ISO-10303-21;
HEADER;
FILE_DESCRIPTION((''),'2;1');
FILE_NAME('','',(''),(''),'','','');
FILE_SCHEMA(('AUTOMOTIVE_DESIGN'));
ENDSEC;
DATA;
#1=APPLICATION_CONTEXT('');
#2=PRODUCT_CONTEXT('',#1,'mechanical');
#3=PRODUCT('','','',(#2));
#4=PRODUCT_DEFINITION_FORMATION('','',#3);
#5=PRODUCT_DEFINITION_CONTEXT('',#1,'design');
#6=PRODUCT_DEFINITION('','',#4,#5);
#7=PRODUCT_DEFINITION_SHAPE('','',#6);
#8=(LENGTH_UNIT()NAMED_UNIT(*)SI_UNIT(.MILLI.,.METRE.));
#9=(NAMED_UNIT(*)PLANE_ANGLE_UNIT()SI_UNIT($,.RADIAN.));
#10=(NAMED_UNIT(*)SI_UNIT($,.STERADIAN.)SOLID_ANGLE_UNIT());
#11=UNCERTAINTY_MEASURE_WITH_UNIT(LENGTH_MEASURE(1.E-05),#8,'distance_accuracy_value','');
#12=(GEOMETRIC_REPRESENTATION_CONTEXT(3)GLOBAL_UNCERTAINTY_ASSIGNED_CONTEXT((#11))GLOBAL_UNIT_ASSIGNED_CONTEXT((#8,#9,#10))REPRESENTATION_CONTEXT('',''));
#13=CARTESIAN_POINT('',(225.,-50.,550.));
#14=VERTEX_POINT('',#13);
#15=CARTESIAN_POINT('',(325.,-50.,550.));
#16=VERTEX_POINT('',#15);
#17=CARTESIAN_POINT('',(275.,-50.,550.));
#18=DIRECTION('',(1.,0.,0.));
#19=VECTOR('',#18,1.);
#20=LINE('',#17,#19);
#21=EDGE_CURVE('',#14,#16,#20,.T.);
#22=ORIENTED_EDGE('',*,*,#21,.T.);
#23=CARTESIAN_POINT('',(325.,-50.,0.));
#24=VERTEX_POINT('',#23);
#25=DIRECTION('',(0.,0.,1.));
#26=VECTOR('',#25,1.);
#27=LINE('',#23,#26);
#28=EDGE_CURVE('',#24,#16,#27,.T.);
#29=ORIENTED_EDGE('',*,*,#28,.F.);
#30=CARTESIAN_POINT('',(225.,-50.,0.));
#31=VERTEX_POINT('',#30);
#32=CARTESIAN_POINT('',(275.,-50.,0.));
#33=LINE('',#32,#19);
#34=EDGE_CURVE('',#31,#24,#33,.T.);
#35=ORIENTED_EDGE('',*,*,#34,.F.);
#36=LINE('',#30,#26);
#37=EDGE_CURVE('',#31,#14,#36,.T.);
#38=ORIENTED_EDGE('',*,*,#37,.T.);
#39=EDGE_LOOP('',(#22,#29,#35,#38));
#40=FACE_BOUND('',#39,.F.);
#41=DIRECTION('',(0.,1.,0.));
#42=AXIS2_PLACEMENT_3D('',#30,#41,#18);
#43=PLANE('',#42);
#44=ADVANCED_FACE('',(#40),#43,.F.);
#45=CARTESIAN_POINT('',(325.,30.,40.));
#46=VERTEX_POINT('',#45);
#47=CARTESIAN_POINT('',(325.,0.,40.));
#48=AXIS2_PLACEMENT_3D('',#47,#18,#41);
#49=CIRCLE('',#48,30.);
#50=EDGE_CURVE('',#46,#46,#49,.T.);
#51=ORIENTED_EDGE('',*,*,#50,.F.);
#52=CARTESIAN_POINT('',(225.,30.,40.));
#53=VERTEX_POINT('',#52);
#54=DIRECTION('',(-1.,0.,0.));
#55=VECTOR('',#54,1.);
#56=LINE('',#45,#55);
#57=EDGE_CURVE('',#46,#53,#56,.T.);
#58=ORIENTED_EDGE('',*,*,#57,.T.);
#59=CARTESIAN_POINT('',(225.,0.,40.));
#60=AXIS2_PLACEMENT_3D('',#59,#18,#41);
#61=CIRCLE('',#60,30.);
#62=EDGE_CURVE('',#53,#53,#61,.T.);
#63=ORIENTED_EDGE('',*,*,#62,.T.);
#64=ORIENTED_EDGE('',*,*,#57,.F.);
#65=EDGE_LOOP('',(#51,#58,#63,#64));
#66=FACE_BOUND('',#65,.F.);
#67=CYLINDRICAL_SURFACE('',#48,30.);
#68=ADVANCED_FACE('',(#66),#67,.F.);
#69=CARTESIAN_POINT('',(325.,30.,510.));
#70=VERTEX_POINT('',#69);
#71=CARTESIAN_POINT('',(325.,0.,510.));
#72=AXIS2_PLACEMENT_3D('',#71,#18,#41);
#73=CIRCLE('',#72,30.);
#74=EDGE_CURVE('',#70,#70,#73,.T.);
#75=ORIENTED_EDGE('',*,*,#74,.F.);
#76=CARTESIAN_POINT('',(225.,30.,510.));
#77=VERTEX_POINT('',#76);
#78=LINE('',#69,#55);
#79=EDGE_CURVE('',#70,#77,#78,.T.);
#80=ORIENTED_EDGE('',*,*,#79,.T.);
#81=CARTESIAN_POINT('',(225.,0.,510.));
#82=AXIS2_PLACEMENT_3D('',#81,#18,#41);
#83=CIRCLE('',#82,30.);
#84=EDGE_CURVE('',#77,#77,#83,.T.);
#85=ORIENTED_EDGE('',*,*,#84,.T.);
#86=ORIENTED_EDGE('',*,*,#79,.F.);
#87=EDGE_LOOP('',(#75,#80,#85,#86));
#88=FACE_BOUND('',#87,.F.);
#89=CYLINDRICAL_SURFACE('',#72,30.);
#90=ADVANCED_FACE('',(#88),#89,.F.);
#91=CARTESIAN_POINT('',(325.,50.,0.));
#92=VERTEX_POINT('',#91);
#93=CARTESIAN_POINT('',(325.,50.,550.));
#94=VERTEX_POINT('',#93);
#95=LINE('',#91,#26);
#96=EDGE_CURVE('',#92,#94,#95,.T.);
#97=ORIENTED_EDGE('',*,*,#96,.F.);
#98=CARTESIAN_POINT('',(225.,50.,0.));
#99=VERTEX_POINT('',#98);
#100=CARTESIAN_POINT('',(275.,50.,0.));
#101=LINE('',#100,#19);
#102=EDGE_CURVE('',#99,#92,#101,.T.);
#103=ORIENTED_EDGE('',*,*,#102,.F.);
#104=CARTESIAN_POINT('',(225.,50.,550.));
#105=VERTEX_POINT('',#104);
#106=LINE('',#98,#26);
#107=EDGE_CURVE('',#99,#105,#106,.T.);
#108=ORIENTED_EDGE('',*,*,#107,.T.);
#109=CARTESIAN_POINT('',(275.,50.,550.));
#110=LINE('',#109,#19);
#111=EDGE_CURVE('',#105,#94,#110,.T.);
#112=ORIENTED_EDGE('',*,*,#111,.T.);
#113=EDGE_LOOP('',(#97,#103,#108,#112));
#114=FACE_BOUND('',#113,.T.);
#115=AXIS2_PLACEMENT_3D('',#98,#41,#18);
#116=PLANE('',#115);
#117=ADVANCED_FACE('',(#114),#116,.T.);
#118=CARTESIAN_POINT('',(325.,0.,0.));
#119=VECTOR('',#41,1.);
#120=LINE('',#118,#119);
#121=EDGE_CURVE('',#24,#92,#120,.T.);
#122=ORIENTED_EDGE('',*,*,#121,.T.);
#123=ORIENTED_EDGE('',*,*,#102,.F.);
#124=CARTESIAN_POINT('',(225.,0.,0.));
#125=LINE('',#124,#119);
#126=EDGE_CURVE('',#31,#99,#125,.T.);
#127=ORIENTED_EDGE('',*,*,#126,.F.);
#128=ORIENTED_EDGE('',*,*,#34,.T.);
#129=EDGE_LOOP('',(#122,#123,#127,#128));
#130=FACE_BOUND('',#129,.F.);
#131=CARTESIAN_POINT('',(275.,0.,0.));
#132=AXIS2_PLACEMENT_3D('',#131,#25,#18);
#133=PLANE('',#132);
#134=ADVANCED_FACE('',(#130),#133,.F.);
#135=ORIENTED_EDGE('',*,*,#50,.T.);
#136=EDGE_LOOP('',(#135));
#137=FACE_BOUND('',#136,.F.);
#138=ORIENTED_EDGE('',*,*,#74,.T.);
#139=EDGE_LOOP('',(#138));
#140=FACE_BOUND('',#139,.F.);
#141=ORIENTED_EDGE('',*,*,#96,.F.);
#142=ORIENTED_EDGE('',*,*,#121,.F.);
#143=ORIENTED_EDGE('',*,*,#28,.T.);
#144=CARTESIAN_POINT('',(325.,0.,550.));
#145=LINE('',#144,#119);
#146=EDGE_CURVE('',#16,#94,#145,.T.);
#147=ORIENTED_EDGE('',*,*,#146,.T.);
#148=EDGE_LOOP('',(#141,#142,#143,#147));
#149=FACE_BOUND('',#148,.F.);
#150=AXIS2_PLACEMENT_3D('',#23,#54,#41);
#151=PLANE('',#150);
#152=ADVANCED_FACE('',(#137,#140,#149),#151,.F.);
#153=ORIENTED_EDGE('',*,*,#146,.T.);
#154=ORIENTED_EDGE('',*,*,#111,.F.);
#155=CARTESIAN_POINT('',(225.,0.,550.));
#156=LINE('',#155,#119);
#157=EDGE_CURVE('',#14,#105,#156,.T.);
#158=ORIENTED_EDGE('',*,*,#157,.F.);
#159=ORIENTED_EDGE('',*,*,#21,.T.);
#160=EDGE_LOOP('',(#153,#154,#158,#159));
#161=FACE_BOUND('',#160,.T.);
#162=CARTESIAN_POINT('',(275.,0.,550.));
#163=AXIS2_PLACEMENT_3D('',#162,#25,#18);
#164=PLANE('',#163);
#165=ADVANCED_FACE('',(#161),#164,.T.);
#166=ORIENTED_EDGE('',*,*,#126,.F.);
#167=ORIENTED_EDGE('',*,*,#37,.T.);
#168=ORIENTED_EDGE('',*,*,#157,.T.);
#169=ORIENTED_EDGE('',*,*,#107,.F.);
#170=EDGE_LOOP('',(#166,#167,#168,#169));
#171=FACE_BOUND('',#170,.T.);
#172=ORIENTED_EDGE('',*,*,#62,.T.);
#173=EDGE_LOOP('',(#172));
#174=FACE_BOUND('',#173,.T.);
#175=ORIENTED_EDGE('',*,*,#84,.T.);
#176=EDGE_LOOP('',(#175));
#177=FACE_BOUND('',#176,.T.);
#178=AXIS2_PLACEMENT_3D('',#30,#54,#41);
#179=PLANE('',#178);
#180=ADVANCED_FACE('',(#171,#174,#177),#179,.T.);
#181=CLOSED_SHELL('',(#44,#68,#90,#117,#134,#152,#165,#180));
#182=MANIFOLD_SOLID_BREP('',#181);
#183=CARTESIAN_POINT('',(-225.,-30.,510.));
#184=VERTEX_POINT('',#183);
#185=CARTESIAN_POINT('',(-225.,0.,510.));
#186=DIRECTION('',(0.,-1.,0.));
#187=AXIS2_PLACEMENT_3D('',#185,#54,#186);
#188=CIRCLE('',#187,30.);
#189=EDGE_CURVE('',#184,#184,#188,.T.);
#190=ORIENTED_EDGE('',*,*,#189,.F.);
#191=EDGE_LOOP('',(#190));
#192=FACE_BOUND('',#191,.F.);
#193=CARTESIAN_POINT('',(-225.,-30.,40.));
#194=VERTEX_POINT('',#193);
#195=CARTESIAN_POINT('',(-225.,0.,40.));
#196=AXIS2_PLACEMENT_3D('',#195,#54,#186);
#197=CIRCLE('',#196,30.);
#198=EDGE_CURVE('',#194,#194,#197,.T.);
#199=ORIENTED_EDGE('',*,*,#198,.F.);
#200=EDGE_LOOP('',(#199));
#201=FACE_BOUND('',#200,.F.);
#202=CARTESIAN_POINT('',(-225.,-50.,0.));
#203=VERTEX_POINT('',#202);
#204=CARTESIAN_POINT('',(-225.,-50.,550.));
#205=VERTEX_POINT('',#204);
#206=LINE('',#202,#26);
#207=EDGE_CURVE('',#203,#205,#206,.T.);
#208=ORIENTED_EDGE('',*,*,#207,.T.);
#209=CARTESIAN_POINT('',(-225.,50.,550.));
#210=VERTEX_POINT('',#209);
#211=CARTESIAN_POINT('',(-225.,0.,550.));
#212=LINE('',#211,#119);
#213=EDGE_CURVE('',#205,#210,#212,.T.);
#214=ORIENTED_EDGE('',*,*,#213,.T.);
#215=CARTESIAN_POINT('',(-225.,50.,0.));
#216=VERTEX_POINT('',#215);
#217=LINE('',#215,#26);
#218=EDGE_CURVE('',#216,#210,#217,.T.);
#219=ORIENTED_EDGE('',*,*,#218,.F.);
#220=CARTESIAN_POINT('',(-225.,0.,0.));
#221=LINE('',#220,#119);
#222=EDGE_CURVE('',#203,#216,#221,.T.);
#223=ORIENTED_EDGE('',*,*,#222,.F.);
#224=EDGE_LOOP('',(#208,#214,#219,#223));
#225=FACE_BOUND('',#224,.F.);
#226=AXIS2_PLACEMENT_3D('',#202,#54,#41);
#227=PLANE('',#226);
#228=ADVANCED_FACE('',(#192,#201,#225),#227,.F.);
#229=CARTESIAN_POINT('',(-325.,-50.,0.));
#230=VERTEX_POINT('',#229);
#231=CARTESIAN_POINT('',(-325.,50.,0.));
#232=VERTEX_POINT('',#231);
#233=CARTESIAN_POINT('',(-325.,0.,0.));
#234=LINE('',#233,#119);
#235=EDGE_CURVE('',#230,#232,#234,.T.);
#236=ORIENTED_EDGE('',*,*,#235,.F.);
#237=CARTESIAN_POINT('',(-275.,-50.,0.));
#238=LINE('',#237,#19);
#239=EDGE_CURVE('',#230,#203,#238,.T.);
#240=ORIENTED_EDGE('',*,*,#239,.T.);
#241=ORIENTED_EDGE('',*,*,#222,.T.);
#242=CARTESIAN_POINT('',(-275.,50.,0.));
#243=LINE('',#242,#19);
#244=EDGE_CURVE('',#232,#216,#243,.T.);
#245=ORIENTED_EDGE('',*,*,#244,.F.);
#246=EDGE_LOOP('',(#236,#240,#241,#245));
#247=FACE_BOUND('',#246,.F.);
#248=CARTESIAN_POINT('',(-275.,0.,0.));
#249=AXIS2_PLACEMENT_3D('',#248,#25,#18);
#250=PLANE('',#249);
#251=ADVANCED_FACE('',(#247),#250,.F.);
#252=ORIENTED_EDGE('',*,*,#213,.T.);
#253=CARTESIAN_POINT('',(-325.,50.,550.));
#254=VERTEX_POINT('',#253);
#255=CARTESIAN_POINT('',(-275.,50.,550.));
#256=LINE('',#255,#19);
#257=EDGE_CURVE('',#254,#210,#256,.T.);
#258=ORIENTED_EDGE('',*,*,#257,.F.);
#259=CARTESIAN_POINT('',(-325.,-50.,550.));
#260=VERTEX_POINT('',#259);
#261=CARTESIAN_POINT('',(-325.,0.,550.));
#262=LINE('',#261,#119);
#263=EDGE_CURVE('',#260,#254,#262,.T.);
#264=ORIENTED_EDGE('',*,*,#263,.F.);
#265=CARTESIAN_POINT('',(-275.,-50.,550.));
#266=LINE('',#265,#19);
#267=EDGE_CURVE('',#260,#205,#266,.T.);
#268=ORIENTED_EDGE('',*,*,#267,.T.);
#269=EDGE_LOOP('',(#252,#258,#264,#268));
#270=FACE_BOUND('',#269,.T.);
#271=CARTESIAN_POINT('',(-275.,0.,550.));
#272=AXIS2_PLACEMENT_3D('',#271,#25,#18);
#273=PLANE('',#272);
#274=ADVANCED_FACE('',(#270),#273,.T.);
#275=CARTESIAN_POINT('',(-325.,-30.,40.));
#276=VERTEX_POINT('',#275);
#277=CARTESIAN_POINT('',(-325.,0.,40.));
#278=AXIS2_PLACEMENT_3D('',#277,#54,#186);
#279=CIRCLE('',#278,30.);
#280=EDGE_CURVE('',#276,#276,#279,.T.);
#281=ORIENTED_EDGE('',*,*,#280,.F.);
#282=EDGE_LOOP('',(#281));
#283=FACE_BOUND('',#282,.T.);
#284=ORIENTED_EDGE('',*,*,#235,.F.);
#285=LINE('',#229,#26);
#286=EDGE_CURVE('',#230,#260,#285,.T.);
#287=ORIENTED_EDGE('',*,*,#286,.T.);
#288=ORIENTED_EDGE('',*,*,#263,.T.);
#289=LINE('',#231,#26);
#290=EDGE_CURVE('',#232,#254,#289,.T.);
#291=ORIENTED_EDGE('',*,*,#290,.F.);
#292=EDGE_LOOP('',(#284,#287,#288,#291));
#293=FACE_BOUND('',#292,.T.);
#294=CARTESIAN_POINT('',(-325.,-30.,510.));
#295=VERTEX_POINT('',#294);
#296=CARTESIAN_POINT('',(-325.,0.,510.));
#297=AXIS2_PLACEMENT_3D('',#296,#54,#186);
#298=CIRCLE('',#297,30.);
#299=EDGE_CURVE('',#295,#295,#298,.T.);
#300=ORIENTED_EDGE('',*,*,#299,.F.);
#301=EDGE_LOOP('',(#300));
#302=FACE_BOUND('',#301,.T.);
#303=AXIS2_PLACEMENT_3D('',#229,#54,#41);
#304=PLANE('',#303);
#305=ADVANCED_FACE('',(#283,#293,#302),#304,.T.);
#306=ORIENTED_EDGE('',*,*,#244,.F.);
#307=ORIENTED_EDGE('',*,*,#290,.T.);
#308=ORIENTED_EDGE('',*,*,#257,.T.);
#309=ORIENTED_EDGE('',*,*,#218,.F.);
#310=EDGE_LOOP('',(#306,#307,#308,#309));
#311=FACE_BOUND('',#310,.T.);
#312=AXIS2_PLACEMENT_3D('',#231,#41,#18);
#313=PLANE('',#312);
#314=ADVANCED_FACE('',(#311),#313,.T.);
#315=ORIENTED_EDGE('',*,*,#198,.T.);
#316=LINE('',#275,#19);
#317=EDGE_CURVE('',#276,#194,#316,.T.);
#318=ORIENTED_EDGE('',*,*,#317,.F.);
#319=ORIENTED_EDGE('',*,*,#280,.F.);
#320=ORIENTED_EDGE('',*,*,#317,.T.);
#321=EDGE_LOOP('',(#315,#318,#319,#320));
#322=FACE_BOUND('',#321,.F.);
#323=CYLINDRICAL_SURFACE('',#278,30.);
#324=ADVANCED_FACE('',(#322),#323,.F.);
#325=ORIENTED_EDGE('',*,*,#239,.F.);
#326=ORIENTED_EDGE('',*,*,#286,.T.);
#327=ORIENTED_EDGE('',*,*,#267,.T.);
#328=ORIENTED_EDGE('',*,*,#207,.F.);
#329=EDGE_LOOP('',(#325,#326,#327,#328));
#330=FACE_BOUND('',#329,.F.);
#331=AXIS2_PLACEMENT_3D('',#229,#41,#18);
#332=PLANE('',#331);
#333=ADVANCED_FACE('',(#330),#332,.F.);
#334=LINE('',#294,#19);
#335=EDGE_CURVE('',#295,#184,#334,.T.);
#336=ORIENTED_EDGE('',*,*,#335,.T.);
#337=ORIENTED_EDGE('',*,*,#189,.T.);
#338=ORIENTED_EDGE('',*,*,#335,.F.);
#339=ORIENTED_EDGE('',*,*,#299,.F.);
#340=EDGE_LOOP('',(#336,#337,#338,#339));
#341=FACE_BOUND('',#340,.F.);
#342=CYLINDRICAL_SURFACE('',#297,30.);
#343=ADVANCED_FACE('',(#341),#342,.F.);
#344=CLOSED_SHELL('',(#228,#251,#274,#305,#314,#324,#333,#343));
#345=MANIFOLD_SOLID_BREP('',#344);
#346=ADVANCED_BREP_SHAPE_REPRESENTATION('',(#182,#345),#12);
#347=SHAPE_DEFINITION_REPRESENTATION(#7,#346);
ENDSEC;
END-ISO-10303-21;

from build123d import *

# Parameters (mm, degrees)
F0_W     = 100
F0_H     = 100
F1_DEPTH = 550
F2_R     = 30
F3_DEPTH = 100
F4_R     = 30
F5_DEPTH = 100
F6_R     = 30
F7_DEPTH = 100
F8_R     = 30
F9_DEPTH = 100


with BuildPart() as f1:
    # F0 (on Top) → F1 (new body)
    with BuildSketch(Plane.XY):
        with Locations((-275, 0)):
            Rectangle(F0_W, F0_H)
        with Locations((275, 0)):
            Rectangle(F0_W, F0_H)
    extrude(amount=F1_DEPTH)

    # F2 (on face) → F3 (cut)
    with BuildSketch(Plane(origin=(-325, 0, 0), x_dir=(0, -1, 0), z_dir=(-1, 0, 0))):
        with Locations((0, 510)):
            Circle(F2_R)
    extrude(amount=-F3_DEPTH, mode=Mode.SUBTRACT)

    # F4 (on face) → F5 (cut)
    with BuildSketch(Plane.YZ.offset(325)):
        with Locations((0, 510)):
            Circle(F4_R)
    extrude(amount=-F5_DEPTH, mode=Mode.SUBTRACT)

    # F6 (on face) → F7 (cut)
    with BuildSketch(Plane(origin=(-325, 0, 0), x_dir=(0, -1, 0), z_dir=(-1, 0, 0))):
        with Locations((0, 40)):
            Circle(F6_R)
    extrude(amount=-F7_DEPTH, mode=Mode.SUBTRACT)

    # F8 (on face) → F9 (cut)
    with BuildSketch(Plane.YZ.offset(325)):
        with Locations((0, 40)):
            Circle(F8_R)
    extrude(amount=-F9_DEPTH, mode=Mode.SUBTRACT)


solid = f1.part
